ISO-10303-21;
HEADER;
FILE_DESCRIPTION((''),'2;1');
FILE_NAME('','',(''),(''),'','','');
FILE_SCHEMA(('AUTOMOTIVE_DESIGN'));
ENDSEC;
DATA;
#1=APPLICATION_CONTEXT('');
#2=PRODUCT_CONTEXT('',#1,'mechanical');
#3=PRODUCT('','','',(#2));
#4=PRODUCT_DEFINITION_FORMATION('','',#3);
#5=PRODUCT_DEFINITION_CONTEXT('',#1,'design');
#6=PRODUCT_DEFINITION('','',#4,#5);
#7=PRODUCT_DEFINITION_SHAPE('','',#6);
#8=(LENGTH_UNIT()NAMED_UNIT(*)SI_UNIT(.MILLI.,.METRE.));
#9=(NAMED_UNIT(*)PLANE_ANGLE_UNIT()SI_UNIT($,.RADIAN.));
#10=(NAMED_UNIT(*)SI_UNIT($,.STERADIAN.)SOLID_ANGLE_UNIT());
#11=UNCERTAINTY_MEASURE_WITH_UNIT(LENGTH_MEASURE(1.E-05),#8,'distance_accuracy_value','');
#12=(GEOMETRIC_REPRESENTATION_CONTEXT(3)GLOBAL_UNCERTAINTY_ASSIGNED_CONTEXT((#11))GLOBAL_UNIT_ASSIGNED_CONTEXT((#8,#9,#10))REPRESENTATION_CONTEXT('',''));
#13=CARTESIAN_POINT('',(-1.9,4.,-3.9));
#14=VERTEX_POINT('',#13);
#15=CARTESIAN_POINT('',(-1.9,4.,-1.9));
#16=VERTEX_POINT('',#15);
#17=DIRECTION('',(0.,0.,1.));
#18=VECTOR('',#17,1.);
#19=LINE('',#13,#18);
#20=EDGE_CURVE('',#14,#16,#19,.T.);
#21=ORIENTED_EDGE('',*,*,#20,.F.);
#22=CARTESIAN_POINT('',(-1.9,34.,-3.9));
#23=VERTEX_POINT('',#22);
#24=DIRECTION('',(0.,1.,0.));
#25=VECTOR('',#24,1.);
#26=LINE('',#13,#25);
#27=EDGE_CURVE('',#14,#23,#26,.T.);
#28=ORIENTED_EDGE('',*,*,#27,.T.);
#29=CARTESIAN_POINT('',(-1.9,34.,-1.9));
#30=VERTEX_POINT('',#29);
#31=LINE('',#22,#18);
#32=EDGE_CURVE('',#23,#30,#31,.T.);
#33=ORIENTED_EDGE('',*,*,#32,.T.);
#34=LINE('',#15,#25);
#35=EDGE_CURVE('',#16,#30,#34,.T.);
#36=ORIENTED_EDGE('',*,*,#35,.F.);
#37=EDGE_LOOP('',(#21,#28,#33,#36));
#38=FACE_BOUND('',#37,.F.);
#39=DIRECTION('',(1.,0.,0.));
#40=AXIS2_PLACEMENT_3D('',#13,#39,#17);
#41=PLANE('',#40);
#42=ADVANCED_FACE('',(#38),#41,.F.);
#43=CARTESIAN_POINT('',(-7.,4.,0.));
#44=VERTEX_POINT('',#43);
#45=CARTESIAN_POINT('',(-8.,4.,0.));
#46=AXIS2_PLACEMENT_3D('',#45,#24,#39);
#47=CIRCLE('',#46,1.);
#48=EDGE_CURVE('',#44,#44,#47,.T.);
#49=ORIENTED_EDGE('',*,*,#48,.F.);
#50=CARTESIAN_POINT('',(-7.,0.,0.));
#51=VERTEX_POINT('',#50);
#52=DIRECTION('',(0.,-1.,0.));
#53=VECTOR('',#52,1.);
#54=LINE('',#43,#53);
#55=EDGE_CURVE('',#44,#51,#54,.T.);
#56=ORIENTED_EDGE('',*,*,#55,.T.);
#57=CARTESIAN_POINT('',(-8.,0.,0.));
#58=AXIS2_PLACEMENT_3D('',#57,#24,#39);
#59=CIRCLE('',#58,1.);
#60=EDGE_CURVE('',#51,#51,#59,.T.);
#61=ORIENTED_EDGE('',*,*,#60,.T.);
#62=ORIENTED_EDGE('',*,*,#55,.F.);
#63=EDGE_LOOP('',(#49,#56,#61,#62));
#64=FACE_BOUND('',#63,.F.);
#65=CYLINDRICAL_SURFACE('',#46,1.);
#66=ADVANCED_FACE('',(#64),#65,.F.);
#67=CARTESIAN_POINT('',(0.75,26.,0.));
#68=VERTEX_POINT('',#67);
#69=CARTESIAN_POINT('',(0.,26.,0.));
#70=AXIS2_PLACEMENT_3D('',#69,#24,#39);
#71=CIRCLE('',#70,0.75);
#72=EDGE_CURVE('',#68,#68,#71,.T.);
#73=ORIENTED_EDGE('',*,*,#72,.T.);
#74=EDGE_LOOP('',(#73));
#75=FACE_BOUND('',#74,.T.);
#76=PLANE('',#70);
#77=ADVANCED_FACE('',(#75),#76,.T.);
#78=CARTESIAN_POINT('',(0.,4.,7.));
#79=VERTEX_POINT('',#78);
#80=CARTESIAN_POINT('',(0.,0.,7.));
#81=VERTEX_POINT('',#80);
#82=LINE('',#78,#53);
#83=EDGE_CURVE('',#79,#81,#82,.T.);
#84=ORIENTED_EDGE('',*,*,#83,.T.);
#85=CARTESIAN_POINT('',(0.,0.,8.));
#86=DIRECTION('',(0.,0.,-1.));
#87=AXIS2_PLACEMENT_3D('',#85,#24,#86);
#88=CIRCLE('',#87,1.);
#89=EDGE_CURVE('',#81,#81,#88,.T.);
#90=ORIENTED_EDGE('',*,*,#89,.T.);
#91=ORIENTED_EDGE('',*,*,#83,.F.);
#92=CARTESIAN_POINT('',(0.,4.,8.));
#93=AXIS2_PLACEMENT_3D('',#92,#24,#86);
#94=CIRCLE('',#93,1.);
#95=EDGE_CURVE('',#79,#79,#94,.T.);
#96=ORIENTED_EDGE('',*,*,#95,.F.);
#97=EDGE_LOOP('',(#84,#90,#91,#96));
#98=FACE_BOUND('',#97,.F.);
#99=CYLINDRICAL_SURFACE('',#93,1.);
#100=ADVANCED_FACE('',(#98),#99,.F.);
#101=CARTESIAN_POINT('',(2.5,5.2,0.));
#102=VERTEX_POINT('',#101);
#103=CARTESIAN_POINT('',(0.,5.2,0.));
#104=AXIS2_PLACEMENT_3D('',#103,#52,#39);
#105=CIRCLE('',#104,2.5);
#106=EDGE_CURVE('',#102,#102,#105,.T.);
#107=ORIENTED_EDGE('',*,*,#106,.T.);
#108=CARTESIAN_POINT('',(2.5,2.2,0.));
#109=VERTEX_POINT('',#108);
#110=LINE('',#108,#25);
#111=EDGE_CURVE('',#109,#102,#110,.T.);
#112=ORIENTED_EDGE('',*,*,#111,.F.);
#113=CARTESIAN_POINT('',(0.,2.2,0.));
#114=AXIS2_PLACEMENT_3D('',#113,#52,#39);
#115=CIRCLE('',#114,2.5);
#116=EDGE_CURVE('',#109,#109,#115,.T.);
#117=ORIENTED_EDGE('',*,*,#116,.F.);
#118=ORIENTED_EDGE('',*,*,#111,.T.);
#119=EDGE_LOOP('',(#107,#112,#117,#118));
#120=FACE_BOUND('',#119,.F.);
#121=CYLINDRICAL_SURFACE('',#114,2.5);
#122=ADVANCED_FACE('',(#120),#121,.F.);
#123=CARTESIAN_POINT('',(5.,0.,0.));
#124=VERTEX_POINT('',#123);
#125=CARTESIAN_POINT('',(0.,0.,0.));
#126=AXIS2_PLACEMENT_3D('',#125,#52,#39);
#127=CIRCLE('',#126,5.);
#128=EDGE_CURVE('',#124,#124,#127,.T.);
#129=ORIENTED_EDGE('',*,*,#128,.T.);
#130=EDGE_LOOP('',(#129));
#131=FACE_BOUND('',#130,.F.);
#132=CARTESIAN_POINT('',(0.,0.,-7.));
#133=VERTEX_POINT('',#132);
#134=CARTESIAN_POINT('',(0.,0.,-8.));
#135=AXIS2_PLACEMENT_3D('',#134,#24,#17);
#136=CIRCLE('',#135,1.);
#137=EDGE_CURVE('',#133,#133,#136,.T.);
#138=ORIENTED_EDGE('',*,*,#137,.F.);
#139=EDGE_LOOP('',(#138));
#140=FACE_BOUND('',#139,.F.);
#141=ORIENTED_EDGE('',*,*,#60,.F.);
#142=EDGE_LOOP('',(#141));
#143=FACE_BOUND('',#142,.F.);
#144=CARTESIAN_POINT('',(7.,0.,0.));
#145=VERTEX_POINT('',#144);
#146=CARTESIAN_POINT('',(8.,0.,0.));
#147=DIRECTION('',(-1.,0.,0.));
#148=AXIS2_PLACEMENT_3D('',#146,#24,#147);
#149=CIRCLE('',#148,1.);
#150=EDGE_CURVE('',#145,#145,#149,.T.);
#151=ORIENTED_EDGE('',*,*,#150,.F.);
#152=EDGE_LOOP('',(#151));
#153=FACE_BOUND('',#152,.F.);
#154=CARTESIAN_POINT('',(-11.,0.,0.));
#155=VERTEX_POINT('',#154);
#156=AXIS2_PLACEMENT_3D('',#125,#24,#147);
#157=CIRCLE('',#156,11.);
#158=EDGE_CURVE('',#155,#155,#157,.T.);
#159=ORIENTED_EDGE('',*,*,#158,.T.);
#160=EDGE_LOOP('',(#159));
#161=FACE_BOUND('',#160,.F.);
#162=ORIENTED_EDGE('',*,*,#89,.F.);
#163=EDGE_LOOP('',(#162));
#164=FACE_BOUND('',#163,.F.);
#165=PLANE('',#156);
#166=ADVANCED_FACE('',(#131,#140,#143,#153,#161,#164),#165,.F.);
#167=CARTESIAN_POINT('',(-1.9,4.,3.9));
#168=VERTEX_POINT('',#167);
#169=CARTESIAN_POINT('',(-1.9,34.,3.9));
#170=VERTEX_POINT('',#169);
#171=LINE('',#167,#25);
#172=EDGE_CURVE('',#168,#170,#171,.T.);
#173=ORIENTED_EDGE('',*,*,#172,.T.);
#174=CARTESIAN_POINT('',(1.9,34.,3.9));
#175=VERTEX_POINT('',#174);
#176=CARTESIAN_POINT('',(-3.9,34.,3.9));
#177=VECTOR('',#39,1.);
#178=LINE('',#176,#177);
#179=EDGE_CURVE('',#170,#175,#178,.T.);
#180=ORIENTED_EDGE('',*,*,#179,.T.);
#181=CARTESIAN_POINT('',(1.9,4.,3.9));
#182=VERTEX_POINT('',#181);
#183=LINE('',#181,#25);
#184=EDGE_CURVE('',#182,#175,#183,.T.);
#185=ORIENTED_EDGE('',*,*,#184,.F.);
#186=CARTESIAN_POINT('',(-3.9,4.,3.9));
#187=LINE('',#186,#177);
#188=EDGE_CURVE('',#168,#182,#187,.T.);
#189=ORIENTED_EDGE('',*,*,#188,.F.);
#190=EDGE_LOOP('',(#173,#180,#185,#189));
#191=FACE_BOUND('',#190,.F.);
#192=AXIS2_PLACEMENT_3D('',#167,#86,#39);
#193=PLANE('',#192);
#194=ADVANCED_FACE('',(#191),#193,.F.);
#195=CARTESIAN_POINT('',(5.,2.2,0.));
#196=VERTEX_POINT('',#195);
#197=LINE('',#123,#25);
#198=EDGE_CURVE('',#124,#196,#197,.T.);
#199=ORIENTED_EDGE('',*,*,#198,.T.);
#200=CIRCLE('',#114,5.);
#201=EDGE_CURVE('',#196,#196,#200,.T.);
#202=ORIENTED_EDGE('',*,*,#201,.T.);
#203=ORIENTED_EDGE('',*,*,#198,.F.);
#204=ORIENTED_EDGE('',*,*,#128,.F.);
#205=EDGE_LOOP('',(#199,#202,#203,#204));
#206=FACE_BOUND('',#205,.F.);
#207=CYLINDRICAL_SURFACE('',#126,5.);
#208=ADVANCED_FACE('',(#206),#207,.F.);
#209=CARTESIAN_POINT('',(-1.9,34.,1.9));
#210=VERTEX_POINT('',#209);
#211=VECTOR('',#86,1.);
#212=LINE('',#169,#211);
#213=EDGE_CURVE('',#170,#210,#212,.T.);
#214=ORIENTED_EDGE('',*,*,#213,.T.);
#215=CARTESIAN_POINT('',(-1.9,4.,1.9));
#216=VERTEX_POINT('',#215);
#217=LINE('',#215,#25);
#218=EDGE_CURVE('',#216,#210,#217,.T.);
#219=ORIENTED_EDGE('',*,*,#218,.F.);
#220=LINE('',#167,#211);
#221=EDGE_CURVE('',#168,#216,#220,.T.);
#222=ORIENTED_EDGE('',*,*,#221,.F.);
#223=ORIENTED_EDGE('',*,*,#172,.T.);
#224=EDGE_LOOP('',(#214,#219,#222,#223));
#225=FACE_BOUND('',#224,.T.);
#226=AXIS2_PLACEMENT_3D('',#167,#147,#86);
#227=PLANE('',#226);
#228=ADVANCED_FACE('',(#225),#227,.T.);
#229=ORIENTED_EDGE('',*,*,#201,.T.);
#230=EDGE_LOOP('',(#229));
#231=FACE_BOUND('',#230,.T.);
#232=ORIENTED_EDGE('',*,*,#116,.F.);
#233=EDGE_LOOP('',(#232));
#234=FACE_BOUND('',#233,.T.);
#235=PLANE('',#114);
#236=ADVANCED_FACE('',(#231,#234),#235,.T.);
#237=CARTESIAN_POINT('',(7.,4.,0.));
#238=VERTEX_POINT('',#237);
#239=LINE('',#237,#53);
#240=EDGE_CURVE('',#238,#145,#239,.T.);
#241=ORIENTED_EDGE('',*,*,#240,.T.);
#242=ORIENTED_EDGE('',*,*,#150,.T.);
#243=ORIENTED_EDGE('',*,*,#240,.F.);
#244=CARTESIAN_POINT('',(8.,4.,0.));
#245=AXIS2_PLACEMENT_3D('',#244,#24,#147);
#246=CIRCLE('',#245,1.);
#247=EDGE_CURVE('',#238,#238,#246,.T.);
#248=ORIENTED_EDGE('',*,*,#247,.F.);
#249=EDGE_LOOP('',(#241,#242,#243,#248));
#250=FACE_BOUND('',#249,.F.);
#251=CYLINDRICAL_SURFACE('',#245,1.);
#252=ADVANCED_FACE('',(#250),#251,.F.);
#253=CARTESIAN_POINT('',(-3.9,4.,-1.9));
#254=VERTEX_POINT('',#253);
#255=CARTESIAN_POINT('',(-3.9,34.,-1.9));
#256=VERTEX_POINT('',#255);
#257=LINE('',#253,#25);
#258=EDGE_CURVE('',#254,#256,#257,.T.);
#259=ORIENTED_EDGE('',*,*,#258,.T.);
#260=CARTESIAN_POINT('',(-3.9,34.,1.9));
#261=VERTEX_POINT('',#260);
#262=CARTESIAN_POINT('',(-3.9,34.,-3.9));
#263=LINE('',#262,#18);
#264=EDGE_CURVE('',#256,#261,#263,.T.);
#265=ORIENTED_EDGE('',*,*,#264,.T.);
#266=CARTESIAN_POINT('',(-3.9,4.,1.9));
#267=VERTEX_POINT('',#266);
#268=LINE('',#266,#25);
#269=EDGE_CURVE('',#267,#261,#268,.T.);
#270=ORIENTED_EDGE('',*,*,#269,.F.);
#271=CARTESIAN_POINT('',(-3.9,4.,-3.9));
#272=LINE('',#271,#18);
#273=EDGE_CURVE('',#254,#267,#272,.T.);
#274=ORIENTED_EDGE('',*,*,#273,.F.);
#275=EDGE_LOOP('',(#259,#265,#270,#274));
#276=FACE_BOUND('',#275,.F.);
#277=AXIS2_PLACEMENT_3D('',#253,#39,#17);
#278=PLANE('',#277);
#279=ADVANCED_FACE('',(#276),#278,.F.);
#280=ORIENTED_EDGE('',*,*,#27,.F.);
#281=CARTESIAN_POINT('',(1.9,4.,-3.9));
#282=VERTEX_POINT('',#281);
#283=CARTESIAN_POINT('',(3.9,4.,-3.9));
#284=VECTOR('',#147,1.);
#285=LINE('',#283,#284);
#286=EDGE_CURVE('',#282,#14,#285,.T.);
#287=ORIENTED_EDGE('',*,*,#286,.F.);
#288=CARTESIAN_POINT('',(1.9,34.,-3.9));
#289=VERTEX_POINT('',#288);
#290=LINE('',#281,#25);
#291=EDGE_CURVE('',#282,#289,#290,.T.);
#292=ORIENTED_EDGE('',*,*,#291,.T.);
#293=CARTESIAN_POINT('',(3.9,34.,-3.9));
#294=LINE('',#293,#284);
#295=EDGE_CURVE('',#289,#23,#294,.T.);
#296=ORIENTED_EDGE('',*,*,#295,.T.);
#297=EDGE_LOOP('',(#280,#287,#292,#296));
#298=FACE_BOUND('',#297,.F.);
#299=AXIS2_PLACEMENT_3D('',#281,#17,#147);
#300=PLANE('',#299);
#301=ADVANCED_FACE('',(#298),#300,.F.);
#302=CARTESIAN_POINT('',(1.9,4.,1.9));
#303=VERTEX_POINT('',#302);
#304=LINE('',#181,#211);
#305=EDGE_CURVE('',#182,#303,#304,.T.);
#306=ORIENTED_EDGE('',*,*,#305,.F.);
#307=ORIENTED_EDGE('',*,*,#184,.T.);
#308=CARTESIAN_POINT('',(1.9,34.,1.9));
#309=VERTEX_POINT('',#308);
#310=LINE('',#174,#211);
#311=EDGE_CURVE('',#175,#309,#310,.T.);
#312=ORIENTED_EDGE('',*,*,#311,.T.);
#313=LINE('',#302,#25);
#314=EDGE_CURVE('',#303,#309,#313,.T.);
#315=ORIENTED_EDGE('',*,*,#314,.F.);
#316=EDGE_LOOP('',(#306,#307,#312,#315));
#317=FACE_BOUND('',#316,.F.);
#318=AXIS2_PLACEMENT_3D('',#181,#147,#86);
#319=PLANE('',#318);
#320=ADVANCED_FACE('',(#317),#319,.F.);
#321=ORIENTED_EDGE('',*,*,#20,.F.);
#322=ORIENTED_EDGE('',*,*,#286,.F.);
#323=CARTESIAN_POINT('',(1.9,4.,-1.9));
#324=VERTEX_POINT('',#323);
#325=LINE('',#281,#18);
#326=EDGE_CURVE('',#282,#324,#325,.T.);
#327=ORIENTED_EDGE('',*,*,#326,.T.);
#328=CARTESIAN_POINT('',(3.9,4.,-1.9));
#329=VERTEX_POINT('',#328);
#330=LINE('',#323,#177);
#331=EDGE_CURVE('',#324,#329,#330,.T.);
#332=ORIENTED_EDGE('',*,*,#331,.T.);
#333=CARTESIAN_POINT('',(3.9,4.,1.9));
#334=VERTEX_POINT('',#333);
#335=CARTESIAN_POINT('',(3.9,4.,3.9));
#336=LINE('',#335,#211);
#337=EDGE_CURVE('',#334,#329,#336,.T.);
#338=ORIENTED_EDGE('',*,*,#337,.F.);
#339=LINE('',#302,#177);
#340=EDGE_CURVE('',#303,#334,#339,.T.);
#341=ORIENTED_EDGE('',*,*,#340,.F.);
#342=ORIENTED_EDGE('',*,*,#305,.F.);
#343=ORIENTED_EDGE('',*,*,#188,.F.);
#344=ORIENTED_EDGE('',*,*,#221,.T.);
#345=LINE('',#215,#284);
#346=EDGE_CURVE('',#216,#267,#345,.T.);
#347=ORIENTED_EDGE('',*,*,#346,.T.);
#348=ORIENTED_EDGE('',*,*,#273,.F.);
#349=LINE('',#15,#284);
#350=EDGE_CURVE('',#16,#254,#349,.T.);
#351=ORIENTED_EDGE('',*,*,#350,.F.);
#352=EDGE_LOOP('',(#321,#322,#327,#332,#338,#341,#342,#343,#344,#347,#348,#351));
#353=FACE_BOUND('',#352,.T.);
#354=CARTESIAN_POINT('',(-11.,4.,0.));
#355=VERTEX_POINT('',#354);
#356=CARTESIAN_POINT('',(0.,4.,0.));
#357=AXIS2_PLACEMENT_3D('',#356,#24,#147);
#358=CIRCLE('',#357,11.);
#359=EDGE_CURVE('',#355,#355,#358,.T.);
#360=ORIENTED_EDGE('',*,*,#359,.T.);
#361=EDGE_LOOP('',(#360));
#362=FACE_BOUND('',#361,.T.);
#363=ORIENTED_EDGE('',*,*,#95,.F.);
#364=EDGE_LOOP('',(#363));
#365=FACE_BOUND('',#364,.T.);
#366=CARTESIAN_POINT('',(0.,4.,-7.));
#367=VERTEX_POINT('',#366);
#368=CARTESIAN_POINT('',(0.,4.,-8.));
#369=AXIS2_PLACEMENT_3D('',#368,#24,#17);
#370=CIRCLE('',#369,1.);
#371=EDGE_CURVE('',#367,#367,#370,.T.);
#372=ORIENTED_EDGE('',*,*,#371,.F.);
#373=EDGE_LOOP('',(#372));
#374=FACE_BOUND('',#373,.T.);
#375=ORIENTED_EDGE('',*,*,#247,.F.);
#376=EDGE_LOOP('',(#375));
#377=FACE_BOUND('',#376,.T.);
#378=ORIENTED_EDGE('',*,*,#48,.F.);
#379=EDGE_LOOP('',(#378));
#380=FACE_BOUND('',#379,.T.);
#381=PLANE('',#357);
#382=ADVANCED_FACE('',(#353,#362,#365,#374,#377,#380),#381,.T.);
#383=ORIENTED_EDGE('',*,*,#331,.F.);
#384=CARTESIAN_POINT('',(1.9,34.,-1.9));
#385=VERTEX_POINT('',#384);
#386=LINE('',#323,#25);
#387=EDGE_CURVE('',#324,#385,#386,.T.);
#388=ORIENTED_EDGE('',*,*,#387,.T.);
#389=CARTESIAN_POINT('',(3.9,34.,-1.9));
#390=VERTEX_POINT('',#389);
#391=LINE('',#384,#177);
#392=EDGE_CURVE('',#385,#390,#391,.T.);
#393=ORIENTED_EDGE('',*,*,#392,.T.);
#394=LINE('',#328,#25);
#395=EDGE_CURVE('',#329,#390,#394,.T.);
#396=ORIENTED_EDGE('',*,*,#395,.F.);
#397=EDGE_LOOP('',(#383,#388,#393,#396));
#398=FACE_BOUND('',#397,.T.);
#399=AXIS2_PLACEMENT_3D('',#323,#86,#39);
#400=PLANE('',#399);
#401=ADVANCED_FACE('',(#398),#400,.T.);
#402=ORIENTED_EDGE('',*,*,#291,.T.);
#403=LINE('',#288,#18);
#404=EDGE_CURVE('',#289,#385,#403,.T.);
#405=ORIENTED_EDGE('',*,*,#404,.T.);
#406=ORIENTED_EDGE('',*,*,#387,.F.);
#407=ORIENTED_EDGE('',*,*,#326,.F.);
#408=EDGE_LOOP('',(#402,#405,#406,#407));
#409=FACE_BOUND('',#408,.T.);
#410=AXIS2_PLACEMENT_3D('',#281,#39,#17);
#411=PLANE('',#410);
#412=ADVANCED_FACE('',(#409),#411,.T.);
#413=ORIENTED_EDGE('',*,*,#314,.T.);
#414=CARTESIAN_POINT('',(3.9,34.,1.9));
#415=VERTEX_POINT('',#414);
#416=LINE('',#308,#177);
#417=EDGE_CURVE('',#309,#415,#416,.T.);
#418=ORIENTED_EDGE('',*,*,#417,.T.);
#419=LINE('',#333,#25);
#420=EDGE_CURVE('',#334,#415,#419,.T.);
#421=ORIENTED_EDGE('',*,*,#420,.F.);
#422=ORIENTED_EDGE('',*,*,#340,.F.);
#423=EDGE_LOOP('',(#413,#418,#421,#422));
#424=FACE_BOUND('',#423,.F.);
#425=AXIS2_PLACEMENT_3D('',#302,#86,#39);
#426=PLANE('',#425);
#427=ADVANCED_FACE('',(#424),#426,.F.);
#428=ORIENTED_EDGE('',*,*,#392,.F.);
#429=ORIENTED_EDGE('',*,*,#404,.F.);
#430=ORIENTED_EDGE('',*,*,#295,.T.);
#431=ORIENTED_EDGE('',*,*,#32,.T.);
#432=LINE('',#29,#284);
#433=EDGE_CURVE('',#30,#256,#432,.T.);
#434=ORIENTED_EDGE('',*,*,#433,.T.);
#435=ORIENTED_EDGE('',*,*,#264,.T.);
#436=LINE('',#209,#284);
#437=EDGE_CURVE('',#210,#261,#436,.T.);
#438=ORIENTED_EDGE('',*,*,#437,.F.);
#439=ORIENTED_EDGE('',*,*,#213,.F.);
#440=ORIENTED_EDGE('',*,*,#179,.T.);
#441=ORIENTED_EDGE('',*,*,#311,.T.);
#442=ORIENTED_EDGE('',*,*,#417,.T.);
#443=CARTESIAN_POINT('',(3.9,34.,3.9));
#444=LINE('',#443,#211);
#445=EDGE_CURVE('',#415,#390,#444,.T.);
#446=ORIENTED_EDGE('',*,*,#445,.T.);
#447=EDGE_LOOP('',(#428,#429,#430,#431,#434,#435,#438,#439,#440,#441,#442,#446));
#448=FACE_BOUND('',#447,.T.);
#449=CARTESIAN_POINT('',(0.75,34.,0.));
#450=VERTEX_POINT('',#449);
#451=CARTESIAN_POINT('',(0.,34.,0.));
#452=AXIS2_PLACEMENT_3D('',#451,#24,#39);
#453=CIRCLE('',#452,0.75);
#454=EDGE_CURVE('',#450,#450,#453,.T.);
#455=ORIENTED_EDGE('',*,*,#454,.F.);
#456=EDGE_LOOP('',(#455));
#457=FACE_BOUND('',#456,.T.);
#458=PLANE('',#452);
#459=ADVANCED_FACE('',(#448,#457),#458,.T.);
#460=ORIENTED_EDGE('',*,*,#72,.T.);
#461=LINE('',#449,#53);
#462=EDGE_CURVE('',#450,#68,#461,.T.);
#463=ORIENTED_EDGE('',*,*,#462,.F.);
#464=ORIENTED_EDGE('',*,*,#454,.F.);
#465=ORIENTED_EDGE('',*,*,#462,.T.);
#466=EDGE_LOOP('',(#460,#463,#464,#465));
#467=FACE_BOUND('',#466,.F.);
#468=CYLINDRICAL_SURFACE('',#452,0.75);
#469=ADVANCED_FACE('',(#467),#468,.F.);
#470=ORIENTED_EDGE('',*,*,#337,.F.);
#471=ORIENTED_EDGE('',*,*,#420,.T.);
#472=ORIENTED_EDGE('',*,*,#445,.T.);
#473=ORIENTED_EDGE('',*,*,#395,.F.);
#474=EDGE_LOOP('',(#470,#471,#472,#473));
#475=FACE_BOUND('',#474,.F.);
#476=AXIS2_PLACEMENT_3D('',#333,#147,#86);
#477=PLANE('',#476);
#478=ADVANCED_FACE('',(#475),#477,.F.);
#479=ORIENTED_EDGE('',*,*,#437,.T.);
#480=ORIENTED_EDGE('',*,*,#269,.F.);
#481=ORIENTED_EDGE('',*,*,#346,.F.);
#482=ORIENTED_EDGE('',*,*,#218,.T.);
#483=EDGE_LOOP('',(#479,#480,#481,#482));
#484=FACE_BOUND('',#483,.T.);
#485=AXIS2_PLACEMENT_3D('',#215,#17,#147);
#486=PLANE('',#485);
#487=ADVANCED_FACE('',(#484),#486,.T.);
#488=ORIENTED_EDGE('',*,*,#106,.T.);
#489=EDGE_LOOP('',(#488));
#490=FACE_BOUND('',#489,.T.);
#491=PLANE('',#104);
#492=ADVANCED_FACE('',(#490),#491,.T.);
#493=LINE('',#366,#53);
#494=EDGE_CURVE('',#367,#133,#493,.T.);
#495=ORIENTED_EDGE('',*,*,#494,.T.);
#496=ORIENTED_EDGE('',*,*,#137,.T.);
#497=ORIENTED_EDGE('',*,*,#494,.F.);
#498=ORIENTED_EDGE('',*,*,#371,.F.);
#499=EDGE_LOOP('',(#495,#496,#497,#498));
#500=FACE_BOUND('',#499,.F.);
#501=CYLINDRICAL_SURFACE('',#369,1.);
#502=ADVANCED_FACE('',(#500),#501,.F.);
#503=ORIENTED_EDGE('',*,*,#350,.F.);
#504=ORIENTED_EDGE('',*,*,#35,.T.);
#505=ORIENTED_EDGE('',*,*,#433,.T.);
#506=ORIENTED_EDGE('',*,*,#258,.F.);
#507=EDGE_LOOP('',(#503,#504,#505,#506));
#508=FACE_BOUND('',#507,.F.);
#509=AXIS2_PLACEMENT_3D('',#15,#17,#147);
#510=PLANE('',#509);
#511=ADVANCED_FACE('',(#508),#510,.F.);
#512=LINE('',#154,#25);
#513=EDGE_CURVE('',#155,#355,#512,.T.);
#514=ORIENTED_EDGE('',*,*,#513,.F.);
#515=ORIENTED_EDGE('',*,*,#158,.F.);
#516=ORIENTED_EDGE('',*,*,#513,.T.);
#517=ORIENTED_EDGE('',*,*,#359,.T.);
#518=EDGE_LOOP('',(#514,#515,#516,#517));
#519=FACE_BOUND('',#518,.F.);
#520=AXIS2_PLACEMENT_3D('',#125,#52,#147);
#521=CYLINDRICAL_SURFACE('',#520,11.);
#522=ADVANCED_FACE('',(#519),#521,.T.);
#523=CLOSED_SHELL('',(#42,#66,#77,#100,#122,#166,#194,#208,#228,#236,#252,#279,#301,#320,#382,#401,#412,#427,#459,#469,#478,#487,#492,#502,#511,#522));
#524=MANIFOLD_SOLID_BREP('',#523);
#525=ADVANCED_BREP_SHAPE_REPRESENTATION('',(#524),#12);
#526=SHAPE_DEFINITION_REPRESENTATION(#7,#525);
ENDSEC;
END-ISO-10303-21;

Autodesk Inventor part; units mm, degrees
ref_plane "YZ Plane" through (0, 0, 0) normal (1, 0, 0) x (0, 1, 0)
ref_plane "XZ Plane" through (0, 0, 0) normal (0, 1, 0) x (-1, 0, 0)
ref_plane "XY Plane" through (0, 0, 0) normal (0, 0, 1) x (1, 0, 0)
sketch "Sketch1" plane through (0, 0, 0) normal (0, 1, 0) x (-1, 0, 0)
  circle A0 centre (0, 0) radius 11
  dimension "d0" = 22
extrude "Extrusion1" add sketch "Sketch1" along normal blind 4
sketch "Sketch2" plane through (0, 4, 0) normal (0, 1, 0) x (1, 0, 0)
  circle A0 centre (-8, 0) radius 1
  point P0 (0, 0)
  dimension "d3" = 2
  dimension "d4" = 8
extrude "Extrusion2" cut sketch "Sketch2" against normal blind 10
pattern_circular "Circular Pattern1" count 4 over 360 about axis through (0, -10, 0) along (0, 1, 0) of "Extrusion2"
sketch "Sketch3" plane through (0, 4, 0) normal (0, 1, 0) x (1, 0, 0)
  line L0 (3.9, 3.9) -> (-3.9, 3.9)
  line L1 (-3.9, 3.9) -> (-3.9, -3.9)
  line L2 (-3.9, -3.9) -> (3.9, -3.9)
  line L3 (3.9, -3.9) -> (3.9, 3.9)
  line L4 (3.9, 3.9) -> (-3.9, -3.9) construction
  line L5 (-3.9, 3.9) -> (3.9, -3.9) construction
  line L6 (-3.9, -3.9) -> (-1.9, -3.9)
  line L7 (-1.9, -3.9) -> (-1.9, -1.9)
  line L8 (-1.9, -1.9) -> (-3.9, -1.9)
  line L9 (-3.9, -1.9) -> (-3.9, -3.9)
  line L10 (-3.9, 3.9) -> (-1.9, 3.9)
  line L11 (-1.9, 3.9) -> (-1.9, 1.9)
  line L12 (-1.9, 1.9) -> (-3.9, 1.9)
  line L13 (-3.9, 1.9) -> (-3.9, 3.9)
  line L14 (3.9, -3.9) -> (1.9, -3.9)
  line L15 (1.9, -3.9) -> (1.9, -1.9)
  line L16 (1.9, -1.9) -> (3.9, -1.9)
  line L17 (3.9, -1.9) -> (3.9, -3.9)
  line L18 (3.9, 3.9) -> (1.9, 3.9)
  line L19 (1.9, 3.9) -> (1.9, 1.9)
  line L20 (1.9, 1.9) -> (3.9, 1.9)
  line L21 (3.9, 1.9) -> (3.9, 3.9)
  point P0 (0, 0)
  point P1 (3.9, 1.9)
  point P2 (1.9, 3.9)
  point P3 (-1.9, 3.9)
  point P4 (-1.9, -3.9)
  point P5 (1.9, -3.9)
  dimension "d10" = 7.8
  dimension "d11" = 7.8
  dimension "d14" = 2
  dimension "d15" = 2
extrude "Extrusion3" add sketch "Sketch3" along normal blind 30 contours L19 L20 L3 L16 L15 L2 L7 L8 L1 L12 L11 L0
sketch "Sketch4" plane through (0, 34, 0) normal (0, 1, 0) x (1, 0, 0)
  circle A0 centre (0, 0) radius 0.75
  dimension "d16" = 1.5
extrude "Extrusion4" cut sketch "Sketch4" against normal blind 8
sketch "Sketch5" plane through (0, 0, 0) normal (0, -1, 0) x (1, 0, 0)
  circle A0 centre (0, 0) radius 0.75 projected
  circle A1 centre (0, 0) radius 5
  dimension "d19" = 10
extrude "Extrusion5" cut sketch "Sketch5" against normal blind 2.2 contours A0 | A1
sketch "Sketch6" plane through (0, 2.2, 0) normal (0, -1, 0) x (1, 0, 0)
  circle A0 centre (0, 0) radius 2.5
  dimension "d22" = 5
extrude "Extrusion6" cut sketch "Sketch6" against normal blind 3
properties part number "XM430_motor_adaptor"
